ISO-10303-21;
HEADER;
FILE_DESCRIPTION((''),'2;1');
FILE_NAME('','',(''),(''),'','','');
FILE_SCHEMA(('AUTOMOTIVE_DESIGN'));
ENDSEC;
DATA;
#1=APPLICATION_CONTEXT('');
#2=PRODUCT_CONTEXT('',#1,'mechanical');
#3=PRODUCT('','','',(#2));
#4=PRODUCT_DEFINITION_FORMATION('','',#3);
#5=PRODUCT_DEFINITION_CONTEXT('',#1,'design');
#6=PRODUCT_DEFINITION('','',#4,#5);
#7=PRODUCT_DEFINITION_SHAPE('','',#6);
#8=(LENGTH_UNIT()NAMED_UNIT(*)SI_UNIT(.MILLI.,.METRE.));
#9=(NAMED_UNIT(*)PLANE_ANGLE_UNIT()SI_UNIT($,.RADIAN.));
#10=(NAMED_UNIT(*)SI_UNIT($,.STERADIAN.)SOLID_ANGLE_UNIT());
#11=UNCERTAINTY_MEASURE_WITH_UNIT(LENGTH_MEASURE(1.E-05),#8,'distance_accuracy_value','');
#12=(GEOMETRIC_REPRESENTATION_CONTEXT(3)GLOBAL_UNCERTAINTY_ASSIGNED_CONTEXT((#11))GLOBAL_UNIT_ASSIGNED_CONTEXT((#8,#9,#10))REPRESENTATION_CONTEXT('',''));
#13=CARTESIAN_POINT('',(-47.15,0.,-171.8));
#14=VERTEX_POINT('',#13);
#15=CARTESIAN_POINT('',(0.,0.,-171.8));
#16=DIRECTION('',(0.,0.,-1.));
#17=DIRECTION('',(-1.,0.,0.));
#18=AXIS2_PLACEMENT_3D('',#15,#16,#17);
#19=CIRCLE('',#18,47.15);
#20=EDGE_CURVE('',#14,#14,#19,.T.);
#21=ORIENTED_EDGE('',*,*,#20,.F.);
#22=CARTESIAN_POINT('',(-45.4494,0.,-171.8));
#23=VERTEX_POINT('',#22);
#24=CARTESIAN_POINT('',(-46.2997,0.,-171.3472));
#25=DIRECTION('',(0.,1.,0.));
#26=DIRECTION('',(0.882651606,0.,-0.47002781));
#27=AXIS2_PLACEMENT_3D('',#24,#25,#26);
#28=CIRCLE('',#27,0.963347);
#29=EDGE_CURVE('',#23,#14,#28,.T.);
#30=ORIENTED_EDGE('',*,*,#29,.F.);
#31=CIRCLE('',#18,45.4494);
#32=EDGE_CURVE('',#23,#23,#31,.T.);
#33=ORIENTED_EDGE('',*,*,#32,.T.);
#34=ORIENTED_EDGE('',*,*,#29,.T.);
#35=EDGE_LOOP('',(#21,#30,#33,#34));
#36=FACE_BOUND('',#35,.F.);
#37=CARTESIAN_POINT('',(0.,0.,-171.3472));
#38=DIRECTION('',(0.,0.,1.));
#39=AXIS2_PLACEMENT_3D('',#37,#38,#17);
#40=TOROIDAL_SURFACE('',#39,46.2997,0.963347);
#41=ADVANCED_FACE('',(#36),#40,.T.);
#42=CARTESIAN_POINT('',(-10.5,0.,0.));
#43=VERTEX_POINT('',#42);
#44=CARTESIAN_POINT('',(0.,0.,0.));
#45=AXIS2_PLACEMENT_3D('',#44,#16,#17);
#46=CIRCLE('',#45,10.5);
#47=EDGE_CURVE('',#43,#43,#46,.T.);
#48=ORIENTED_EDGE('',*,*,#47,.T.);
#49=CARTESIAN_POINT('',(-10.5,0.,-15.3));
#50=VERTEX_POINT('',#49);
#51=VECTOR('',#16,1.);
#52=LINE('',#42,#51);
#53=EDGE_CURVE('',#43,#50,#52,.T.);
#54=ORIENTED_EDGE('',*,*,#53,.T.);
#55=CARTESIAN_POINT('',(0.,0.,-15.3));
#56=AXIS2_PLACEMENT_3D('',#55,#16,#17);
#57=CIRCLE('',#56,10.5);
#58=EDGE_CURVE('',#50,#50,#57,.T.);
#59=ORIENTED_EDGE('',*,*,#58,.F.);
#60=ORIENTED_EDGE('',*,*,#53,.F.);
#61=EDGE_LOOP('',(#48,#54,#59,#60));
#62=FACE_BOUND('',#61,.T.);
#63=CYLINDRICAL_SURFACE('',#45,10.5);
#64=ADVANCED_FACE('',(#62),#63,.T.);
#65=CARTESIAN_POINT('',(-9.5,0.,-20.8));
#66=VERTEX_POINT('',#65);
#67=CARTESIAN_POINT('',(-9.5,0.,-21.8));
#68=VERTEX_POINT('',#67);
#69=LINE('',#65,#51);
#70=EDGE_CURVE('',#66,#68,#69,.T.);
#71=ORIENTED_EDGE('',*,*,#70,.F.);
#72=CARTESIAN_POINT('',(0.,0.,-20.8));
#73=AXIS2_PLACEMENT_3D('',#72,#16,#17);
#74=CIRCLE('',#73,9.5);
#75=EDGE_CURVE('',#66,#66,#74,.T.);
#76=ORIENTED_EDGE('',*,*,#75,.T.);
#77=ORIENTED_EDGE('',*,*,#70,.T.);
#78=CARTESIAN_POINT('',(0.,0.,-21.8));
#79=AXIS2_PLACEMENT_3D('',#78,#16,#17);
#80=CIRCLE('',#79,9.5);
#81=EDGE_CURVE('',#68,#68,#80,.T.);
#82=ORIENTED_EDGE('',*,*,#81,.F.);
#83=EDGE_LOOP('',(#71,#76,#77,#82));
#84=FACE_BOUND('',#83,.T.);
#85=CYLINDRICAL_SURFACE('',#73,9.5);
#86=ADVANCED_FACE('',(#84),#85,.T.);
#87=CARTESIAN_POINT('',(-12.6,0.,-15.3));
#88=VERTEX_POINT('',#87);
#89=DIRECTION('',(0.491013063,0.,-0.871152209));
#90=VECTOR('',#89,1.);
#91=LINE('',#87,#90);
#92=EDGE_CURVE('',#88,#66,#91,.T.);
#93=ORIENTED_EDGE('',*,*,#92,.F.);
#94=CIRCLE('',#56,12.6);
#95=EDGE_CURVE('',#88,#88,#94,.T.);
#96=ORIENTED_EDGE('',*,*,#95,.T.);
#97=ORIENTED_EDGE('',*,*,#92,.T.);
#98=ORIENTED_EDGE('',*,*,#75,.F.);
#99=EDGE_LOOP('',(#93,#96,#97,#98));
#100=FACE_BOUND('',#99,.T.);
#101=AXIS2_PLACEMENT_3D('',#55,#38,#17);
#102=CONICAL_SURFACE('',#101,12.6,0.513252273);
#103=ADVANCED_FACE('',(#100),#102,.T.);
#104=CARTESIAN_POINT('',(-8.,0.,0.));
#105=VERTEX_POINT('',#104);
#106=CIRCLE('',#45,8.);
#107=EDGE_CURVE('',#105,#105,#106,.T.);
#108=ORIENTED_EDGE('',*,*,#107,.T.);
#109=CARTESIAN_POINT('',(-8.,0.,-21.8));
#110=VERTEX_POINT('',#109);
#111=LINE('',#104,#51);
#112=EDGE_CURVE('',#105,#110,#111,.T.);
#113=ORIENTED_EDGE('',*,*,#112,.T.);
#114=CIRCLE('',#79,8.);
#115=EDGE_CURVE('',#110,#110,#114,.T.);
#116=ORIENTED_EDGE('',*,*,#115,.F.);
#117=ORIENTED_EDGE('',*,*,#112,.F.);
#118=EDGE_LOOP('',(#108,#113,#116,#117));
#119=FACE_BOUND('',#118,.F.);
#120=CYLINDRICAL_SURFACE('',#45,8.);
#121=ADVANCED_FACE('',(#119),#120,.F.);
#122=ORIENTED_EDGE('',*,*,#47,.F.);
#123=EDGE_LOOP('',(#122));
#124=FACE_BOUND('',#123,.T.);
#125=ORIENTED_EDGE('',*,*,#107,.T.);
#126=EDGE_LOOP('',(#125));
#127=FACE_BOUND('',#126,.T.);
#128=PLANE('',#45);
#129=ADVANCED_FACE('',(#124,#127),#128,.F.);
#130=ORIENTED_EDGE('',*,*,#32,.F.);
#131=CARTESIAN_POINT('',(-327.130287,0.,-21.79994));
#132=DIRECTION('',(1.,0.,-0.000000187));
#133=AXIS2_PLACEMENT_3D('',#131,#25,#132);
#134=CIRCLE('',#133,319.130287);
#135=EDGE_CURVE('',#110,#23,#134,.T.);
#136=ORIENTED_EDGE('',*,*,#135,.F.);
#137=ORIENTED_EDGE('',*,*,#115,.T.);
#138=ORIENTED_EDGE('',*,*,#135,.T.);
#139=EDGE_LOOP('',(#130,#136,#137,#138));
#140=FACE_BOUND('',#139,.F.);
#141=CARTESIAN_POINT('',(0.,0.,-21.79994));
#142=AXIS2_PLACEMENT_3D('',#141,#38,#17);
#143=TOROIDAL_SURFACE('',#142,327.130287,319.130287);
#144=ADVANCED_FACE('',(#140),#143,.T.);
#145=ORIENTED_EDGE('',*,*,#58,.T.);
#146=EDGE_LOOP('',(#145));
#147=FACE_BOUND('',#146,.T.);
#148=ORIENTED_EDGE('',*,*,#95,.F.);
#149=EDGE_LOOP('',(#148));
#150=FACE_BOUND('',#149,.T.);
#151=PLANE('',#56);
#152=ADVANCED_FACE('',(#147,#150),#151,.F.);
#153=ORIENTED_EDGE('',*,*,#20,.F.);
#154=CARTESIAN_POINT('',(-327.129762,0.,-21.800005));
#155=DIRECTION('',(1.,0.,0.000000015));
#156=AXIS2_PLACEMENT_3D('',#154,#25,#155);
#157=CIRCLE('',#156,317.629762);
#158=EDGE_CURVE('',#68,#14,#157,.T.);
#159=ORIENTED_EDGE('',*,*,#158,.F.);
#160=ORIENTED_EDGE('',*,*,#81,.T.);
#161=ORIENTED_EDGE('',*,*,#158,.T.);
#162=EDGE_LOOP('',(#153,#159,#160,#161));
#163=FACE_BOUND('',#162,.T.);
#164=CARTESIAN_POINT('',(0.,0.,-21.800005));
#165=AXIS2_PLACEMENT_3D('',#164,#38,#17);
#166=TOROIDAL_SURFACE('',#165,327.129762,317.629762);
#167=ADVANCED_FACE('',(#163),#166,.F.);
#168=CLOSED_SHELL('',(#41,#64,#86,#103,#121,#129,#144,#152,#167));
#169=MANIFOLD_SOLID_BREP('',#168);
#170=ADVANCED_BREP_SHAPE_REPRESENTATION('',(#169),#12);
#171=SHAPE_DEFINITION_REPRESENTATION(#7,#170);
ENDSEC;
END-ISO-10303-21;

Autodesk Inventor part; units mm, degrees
ref_plane "YZ Plane" through (0, 0, 0) normal (1, 0, 0) x (0, 1, 0)
ref_plane "XZ Plane" through (0, 0, 0) normal (0, 1, 0) x (-1, 0, 0)
ref_plane "XY Plane" through (0, 0, 0) normal (0, 0, 1) x (1, 0, 0)
sketch "Sketch1" plane through (0, 0, 0) normal (0, 1, 0) x (-1, 0, 0)
  line L0 (0, 0) -> (10.5, 0) construction
  line L1 (0, 0) -> (0, -171.8) construction
  line L2 (0, -171.8) -> (47.15, -171.8) construction
  line L3 (0, -21.8) -> (9.5, -21.8) construction
  line L4 (0, -20.8) -> (9.5, -20.8) construction
  line L5 (0, -15.3) -> (12.6, -15.3) construction
  line L6 (8, 0) -> (10.5, 0)
  line L7 (10.5, 0) -> (10.5, -15.3)
  line L8 (10.5, -15.3) -> (12.6, -15.3)
  line L9 (12.6, -15.3) -> (9.5, -20.8)
  line L10 (9.5, -20.8) -> (9.5, -21.8)
  line L11 (8, 0) -> (8, -21.8)
  arc A0 (9.5, -21.8) -> (47.15, -171.8) centre (327.1298, -21.8) ccw
  arc A1 (8, -21.8) -> (45.4494, -171.8) centre (327.1298, -21.8) ccw
  arc A2 (45.4494, -171.8) -> (47.15, -171.8) centre (46.2997, -171.3472) ccw
  dimension "d0" = 150
  dimension "d1" = 1
  dimension "d2" = 5.5
  dimension "d3" = 15.3
  dimension "d4" = 47.15
  dimension "d5" = 9.5
  dimension "d6" = 9.5
  dimension "d7" = 12.6
  dimension "d8" = 10.5
  dimension "d9" = 1.5
revolve "Revolution1" add sketch "Sketch1" angle 360 about axis through (0, 0, 0) along (0, 0, -1)
thread "Thread1" size "M22x3" class "6g" standard "ANSI Metric M Profile" full length
equation "\"d0\" = Flare_Length"
equation "\"d1\" = Transition_Length"
equation "\"d2\" = Mount_Flange_Length"
equation "\"d3\" = Mount_Length"
equation "\"d4\" = Flare_Diameter"
equation "\"d6\" = Tail_Diameter"
equation "\"d7\" = Mount_Flange_Diameter"
equation "\"d8\" = Mount_Diameter"
equation "\"d9\" = Bell_Thickness"
equation "\"Transition_Length\" = 1"
equation "\"Flare_Length\" = 150"
equation "\"Mount_Flange_Length\" = 5.5"
equation "\"Mount_Length\" = 15.3"
equation "\"Flare_Diameter\" = 47.15"
equation "\"Tail_Diameter\" = 9.5"
equation "\"Mount_Flange_Diameter\" = 12.6"
equation "\"Mount_Diameter\" = 10.5"
equation "\"Bell_Thickness\" = 1.5"
properties part number "Horn_D" material "Steel, Cast"
